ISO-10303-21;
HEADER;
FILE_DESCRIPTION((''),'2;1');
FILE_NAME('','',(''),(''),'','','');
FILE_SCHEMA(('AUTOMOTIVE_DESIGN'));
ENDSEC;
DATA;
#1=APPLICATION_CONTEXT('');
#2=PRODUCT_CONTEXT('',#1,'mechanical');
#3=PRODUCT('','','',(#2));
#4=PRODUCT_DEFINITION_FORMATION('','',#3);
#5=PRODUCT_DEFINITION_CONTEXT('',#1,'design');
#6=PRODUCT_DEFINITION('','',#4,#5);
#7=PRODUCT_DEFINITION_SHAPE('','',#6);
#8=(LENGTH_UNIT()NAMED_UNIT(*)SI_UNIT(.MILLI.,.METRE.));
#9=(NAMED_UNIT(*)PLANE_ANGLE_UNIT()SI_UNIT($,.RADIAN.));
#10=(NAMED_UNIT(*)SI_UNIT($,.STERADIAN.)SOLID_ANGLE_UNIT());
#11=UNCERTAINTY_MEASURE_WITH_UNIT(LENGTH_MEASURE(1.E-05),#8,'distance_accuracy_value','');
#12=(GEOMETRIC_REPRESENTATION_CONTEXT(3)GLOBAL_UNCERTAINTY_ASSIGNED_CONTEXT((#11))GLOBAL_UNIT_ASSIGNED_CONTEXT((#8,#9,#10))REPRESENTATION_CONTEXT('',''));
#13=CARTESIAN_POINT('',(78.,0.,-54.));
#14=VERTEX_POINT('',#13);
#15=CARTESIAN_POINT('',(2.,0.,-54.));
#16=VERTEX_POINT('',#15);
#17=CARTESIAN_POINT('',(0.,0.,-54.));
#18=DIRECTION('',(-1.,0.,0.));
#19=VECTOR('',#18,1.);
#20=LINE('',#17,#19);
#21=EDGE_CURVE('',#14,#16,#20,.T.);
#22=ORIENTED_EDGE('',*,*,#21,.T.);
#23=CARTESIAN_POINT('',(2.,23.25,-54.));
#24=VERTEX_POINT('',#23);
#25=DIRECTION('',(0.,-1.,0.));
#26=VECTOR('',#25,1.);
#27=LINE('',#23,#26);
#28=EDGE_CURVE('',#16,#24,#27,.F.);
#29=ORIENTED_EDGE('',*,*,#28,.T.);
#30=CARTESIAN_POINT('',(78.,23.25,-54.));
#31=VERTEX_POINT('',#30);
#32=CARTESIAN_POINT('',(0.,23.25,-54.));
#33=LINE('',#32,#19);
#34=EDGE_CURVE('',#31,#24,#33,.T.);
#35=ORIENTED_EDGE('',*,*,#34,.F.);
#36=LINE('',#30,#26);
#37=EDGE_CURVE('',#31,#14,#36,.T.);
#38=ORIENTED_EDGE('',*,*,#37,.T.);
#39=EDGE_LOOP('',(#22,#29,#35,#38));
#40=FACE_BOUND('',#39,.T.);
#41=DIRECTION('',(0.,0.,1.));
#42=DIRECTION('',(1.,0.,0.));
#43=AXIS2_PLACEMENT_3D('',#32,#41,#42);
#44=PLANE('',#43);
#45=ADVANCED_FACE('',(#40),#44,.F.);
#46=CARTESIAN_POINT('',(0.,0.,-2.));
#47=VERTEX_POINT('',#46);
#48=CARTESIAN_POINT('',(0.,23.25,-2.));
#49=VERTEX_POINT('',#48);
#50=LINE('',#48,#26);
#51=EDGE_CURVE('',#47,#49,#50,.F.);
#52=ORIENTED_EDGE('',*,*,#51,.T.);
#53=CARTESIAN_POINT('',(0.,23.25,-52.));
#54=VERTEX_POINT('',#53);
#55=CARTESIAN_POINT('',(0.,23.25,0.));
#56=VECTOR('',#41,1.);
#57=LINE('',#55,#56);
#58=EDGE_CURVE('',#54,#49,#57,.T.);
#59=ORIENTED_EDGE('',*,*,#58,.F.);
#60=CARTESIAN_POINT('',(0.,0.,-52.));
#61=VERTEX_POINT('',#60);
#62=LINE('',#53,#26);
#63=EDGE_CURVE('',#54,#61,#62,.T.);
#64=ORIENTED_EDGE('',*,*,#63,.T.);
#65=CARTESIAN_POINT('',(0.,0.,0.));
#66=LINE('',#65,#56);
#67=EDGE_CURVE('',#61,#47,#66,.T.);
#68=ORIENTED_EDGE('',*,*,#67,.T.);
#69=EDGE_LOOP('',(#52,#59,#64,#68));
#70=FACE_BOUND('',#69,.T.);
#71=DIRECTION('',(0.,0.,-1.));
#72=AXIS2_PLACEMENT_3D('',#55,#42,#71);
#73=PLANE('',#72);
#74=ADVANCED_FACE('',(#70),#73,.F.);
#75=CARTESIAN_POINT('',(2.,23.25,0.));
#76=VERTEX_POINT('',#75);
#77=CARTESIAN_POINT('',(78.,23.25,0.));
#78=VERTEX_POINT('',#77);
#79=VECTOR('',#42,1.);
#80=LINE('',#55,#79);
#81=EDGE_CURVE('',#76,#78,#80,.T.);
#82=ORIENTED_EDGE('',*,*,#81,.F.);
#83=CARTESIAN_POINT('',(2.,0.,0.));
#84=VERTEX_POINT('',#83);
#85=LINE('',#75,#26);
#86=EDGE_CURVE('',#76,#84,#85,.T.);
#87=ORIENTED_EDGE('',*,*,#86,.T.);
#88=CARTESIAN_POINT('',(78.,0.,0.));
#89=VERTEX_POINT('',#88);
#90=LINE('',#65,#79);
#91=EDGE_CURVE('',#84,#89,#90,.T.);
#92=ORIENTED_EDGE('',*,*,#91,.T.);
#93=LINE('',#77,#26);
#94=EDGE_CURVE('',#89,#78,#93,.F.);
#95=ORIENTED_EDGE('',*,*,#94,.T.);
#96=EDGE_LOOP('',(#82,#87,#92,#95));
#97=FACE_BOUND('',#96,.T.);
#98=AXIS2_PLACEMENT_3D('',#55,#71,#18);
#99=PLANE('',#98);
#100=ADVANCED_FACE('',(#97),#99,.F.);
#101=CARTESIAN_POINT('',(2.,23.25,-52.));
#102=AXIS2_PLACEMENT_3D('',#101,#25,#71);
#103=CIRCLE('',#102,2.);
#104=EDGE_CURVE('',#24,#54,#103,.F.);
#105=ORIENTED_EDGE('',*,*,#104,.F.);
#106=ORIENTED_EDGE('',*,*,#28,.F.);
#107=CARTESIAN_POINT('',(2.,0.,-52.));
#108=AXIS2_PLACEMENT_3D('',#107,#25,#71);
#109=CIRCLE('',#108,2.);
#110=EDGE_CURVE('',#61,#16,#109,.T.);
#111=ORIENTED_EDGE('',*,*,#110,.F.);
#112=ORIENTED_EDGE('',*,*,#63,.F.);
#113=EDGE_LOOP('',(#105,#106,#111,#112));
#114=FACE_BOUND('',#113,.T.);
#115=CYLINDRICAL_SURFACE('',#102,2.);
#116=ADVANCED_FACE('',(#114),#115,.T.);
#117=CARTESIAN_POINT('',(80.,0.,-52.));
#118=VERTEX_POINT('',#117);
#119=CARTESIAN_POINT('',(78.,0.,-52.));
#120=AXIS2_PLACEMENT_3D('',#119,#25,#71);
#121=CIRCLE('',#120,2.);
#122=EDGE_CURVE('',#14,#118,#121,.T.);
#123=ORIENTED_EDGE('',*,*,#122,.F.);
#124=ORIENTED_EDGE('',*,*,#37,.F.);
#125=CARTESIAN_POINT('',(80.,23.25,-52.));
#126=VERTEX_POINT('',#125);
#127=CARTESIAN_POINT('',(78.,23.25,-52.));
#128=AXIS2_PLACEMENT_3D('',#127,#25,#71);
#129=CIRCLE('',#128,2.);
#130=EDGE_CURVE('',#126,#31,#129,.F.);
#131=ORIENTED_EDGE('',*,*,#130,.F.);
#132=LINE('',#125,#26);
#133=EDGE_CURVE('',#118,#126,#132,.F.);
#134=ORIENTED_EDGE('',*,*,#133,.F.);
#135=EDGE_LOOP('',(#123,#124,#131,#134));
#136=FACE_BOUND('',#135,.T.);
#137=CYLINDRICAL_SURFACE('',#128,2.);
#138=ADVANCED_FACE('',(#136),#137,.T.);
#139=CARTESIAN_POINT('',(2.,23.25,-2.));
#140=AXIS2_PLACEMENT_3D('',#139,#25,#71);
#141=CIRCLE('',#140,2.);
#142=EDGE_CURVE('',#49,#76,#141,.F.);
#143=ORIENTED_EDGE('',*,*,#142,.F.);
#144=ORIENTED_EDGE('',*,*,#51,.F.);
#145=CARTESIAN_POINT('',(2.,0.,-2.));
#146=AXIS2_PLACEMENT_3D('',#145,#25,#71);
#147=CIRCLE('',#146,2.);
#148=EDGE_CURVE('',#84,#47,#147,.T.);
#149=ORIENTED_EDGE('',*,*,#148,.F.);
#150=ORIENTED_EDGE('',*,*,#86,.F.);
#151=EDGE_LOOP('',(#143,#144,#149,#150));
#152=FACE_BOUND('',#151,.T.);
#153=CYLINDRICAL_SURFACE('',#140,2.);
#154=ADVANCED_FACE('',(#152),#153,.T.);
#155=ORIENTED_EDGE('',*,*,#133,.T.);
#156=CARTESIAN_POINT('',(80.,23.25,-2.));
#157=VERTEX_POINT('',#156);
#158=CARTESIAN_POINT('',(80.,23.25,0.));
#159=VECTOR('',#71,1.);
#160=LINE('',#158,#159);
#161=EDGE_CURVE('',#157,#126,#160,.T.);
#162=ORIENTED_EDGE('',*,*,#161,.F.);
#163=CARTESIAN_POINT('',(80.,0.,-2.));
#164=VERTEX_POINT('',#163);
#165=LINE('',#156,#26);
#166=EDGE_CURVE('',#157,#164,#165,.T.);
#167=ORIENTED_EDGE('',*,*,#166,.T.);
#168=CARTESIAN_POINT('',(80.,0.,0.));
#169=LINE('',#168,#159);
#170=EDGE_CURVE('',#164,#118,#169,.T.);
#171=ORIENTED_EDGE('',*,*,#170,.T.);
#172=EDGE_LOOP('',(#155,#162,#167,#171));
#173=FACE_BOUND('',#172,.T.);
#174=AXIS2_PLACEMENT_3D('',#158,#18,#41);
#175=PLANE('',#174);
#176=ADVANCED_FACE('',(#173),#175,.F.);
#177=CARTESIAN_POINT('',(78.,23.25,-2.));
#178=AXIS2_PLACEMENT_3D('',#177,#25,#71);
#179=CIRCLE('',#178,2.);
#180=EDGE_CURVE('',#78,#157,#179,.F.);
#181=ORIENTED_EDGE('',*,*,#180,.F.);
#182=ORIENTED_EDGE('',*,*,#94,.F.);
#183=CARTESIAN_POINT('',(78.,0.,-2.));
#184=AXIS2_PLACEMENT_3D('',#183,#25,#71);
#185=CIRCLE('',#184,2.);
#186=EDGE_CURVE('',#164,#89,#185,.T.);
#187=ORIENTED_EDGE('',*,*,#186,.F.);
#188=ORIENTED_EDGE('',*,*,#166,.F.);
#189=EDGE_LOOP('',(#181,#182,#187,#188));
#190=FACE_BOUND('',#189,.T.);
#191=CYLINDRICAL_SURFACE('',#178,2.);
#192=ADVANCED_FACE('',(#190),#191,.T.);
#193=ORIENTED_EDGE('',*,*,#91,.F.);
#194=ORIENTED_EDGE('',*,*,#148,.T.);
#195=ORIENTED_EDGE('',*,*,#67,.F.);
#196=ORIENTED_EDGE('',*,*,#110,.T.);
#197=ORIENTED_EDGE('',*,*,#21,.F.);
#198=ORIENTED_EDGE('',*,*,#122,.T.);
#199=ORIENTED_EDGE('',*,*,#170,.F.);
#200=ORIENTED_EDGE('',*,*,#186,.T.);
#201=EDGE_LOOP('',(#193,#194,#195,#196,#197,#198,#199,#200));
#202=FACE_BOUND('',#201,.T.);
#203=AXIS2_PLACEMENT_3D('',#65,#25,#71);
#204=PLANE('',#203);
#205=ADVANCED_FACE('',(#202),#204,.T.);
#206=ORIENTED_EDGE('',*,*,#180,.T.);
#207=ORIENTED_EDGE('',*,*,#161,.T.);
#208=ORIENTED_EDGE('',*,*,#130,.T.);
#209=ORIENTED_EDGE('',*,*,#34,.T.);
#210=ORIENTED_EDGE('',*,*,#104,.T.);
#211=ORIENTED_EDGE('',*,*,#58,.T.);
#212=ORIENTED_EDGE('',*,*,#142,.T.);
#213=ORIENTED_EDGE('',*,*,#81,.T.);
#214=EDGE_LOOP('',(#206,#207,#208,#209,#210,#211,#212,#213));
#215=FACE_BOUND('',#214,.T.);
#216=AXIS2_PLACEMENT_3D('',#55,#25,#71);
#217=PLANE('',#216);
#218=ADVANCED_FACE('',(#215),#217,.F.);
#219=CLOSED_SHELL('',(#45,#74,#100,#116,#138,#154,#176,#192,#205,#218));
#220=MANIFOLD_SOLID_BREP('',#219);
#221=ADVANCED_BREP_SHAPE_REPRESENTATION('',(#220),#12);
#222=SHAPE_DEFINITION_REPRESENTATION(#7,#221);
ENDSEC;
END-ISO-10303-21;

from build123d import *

# Parameters (mm, degrees)
SKETCH1_W           = 80
SKETCH1_H           = 54
BOSS_EXTRUDE2_DEPTH = 23.25
FILLET1_R           = 2


with BuildPart() as part:
    # Sketch1 → Boss-Extrude2 (new body)
    with BuildSketch(Plane(origin=(0, 0, 0), x_dir=(1, 0, 0), z_dir=(0, 1, 0))):
        with Locations((40, 27)):
            Rectangle(SKETCH1_W, SKETCH1_H)
    extrude(amount=BOSS_EXTRUDE2_DEPTH)

    # Fillet1
    fillet1_edges = [part.edges().sort_by_distance(p)[0] for p in [
        (0, 11.625, -54),
        (80, 11.625, -54),
        (80, 11.625, 0),
        (0, 11.625, 0),
    ]]
    fillet(fillet1_edges, radius=FILLET1_R)


solid = part.part
